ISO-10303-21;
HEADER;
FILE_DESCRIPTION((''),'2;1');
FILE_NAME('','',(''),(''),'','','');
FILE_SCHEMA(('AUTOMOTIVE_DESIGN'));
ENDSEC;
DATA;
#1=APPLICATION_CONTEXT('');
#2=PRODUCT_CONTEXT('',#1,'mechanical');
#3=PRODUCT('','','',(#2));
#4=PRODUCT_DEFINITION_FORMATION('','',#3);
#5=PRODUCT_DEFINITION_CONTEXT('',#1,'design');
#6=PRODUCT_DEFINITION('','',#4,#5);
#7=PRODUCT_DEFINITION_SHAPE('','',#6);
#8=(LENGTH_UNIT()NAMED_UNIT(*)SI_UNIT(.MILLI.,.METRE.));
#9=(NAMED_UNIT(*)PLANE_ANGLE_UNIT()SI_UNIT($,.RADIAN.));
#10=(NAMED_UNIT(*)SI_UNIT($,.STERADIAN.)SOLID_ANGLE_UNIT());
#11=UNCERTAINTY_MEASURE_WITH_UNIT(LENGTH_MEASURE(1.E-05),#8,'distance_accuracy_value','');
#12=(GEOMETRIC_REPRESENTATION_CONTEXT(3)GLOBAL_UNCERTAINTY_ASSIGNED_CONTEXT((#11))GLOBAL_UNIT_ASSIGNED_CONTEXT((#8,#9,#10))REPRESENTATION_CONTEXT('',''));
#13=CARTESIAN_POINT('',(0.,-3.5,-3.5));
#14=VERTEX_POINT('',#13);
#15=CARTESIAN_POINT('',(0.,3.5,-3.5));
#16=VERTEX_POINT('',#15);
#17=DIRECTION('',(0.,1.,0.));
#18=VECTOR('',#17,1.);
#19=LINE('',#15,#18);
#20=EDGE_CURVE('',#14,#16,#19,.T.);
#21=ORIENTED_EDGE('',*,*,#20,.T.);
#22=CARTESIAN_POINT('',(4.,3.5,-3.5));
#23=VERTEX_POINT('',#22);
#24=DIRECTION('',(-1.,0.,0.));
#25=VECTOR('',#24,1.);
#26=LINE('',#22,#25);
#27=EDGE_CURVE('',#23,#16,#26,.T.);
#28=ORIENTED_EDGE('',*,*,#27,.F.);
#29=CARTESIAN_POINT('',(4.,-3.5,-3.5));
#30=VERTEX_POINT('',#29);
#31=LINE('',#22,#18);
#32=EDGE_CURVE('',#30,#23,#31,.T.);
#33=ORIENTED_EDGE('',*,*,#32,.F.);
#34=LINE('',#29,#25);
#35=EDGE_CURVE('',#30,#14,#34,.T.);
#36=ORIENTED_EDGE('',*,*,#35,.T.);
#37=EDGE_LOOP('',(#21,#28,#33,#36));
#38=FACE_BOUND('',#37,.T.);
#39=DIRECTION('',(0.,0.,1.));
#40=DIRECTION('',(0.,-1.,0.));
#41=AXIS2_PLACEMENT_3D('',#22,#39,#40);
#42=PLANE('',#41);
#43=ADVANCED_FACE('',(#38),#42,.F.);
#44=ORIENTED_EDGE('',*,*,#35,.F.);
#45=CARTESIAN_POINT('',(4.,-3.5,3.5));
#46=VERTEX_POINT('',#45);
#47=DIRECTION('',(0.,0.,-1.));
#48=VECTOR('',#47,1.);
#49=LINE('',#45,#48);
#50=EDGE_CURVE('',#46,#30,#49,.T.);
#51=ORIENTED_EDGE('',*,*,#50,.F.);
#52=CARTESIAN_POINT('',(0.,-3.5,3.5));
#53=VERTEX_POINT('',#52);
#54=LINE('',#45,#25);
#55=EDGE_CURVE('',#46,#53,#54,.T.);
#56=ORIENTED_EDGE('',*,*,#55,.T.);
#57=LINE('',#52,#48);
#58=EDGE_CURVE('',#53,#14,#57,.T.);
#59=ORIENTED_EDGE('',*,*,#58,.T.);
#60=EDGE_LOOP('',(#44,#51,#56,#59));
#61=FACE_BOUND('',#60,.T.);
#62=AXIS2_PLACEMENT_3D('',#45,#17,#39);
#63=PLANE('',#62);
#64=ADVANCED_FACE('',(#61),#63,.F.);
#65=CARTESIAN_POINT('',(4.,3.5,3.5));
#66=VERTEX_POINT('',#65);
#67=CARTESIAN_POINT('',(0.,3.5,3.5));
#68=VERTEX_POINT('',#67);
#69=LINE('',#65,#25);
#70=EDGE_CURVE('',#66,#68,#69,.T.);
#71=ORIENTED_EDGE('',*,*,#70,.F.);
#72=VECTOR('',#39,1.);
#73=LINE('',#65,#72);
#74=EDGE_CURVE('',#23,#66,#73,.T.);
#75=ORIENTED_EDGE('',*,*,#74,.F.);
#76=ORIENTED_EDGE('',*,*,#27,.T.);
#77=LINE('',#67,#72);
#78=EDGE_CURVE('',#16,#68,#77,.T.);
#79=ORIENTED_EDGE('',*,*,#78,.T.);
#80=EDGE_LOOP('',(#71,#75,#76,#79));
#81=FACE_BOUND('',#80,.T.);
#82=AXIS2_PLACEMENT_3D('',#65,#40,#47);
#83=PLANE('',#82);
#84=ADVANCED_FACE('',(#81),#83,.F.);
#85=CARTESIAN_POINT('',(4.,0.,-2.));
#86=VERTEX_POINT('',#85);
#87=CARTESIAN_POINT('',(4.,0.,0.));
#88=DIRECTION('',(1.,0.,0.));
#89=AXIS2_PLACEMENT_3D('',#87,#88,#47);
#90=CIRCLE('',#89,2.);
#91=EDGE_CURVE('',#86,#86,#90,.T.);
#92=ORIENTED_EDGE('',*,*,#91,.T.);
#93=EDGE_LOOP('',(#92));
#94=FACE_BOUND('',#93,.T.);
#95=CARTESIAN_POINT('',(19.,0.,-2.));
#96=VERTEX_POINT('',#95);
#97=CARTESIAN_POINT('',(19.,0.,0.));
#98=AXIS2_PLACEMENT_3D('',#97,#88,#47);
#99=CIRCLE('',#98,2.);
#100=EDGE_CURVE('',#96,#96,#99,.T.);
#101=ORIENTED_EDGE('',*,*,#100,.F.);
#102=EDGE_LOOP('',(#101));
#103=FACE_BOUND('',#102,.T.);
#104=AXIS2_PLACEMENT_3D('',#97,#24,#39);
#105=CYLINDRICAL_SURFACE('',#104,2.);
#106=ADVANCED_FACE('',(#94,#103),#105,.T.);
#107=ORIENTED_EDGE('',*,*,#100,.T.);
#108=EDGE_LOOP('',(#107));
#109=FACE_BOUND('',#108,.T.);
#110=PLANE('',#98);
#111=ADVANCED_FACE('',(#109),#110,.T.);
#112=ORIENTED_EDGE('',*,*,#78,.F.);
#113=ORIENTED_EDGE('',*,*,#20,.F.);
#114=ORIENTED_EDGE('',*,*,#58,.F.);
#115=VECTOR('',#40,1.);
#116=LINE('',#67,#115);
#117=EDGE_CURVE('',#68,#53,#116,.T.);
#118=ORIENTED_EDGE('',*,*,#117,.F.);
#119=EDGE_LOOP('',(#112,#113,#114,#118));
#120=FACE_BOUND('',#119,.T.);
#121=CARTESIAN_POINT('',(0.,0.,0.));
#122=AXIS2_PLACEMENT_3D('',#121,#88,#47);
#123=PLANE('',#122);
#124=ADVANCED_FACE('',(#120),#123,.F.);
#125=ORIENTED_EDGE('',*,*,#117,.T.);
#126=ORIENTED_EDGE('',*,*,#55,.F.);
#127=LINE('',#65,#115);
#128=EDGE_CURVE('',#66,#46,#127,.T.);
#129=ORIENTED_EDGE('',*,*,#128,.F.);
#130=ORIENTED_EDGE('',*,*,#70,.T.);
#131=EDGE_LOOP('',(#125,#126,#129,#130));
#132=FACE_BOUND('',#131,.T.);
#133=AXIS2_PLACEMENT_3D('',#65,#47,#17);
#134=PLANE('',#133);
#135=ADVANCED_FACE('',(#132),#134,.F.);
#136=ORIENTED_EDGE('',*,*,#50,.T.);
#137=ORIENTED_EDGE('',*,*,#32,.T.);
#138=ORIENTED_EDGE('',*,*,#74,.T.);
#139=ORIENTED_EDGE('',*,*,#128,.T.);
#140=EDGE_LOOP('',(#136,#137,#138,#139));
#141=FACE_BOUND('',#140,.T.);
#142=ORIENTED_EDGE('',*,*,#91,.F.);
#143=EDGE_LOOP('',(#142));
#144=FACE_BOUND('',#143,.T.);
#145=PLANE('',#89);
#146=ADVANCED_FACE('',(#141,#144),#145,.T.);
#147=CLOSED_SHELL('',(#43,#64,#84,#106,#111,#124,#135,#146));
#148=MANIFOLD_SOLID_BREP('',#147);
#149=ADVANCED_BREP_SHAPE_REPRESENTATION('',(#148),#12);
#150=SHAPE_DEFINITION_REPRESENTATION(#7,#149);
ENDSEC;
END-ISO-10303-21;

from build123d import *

# Parameters (mm, degrees)
SKETCH3_W           = 7
SKETCH3_H           = 7
BOSS_EXTRUDE2_DEPTH = 4
SKETCH4_R           = 2
BOSS_EXTRUDE3_DEPTH = 15


with BuildPart() as part:
    # Sketch3 → Boss-Extrude2 (new body)
    with BuildSketch(Plane(origin=(0, 0, 0), x_dir=(0, 0, -1), z_dir=(1, 0, 0))):
        Rectangle(SKETCH3_W, SKETCH3_H)
    extrude(amount=BOSS_EXTRUDE2_DEPTH)

    # Sketch4 → Boss-Extrude3 (add)
    with BuildSketch(Plane(origin=(4, 0, 0), x_dir=(0, 0, -1), z_dir=(1, 0, 0))):
        Circle(SKETCH4_R)
    extrude(amount=BOSS_EXTRUDE3_DEPTH)


solid = part.part
